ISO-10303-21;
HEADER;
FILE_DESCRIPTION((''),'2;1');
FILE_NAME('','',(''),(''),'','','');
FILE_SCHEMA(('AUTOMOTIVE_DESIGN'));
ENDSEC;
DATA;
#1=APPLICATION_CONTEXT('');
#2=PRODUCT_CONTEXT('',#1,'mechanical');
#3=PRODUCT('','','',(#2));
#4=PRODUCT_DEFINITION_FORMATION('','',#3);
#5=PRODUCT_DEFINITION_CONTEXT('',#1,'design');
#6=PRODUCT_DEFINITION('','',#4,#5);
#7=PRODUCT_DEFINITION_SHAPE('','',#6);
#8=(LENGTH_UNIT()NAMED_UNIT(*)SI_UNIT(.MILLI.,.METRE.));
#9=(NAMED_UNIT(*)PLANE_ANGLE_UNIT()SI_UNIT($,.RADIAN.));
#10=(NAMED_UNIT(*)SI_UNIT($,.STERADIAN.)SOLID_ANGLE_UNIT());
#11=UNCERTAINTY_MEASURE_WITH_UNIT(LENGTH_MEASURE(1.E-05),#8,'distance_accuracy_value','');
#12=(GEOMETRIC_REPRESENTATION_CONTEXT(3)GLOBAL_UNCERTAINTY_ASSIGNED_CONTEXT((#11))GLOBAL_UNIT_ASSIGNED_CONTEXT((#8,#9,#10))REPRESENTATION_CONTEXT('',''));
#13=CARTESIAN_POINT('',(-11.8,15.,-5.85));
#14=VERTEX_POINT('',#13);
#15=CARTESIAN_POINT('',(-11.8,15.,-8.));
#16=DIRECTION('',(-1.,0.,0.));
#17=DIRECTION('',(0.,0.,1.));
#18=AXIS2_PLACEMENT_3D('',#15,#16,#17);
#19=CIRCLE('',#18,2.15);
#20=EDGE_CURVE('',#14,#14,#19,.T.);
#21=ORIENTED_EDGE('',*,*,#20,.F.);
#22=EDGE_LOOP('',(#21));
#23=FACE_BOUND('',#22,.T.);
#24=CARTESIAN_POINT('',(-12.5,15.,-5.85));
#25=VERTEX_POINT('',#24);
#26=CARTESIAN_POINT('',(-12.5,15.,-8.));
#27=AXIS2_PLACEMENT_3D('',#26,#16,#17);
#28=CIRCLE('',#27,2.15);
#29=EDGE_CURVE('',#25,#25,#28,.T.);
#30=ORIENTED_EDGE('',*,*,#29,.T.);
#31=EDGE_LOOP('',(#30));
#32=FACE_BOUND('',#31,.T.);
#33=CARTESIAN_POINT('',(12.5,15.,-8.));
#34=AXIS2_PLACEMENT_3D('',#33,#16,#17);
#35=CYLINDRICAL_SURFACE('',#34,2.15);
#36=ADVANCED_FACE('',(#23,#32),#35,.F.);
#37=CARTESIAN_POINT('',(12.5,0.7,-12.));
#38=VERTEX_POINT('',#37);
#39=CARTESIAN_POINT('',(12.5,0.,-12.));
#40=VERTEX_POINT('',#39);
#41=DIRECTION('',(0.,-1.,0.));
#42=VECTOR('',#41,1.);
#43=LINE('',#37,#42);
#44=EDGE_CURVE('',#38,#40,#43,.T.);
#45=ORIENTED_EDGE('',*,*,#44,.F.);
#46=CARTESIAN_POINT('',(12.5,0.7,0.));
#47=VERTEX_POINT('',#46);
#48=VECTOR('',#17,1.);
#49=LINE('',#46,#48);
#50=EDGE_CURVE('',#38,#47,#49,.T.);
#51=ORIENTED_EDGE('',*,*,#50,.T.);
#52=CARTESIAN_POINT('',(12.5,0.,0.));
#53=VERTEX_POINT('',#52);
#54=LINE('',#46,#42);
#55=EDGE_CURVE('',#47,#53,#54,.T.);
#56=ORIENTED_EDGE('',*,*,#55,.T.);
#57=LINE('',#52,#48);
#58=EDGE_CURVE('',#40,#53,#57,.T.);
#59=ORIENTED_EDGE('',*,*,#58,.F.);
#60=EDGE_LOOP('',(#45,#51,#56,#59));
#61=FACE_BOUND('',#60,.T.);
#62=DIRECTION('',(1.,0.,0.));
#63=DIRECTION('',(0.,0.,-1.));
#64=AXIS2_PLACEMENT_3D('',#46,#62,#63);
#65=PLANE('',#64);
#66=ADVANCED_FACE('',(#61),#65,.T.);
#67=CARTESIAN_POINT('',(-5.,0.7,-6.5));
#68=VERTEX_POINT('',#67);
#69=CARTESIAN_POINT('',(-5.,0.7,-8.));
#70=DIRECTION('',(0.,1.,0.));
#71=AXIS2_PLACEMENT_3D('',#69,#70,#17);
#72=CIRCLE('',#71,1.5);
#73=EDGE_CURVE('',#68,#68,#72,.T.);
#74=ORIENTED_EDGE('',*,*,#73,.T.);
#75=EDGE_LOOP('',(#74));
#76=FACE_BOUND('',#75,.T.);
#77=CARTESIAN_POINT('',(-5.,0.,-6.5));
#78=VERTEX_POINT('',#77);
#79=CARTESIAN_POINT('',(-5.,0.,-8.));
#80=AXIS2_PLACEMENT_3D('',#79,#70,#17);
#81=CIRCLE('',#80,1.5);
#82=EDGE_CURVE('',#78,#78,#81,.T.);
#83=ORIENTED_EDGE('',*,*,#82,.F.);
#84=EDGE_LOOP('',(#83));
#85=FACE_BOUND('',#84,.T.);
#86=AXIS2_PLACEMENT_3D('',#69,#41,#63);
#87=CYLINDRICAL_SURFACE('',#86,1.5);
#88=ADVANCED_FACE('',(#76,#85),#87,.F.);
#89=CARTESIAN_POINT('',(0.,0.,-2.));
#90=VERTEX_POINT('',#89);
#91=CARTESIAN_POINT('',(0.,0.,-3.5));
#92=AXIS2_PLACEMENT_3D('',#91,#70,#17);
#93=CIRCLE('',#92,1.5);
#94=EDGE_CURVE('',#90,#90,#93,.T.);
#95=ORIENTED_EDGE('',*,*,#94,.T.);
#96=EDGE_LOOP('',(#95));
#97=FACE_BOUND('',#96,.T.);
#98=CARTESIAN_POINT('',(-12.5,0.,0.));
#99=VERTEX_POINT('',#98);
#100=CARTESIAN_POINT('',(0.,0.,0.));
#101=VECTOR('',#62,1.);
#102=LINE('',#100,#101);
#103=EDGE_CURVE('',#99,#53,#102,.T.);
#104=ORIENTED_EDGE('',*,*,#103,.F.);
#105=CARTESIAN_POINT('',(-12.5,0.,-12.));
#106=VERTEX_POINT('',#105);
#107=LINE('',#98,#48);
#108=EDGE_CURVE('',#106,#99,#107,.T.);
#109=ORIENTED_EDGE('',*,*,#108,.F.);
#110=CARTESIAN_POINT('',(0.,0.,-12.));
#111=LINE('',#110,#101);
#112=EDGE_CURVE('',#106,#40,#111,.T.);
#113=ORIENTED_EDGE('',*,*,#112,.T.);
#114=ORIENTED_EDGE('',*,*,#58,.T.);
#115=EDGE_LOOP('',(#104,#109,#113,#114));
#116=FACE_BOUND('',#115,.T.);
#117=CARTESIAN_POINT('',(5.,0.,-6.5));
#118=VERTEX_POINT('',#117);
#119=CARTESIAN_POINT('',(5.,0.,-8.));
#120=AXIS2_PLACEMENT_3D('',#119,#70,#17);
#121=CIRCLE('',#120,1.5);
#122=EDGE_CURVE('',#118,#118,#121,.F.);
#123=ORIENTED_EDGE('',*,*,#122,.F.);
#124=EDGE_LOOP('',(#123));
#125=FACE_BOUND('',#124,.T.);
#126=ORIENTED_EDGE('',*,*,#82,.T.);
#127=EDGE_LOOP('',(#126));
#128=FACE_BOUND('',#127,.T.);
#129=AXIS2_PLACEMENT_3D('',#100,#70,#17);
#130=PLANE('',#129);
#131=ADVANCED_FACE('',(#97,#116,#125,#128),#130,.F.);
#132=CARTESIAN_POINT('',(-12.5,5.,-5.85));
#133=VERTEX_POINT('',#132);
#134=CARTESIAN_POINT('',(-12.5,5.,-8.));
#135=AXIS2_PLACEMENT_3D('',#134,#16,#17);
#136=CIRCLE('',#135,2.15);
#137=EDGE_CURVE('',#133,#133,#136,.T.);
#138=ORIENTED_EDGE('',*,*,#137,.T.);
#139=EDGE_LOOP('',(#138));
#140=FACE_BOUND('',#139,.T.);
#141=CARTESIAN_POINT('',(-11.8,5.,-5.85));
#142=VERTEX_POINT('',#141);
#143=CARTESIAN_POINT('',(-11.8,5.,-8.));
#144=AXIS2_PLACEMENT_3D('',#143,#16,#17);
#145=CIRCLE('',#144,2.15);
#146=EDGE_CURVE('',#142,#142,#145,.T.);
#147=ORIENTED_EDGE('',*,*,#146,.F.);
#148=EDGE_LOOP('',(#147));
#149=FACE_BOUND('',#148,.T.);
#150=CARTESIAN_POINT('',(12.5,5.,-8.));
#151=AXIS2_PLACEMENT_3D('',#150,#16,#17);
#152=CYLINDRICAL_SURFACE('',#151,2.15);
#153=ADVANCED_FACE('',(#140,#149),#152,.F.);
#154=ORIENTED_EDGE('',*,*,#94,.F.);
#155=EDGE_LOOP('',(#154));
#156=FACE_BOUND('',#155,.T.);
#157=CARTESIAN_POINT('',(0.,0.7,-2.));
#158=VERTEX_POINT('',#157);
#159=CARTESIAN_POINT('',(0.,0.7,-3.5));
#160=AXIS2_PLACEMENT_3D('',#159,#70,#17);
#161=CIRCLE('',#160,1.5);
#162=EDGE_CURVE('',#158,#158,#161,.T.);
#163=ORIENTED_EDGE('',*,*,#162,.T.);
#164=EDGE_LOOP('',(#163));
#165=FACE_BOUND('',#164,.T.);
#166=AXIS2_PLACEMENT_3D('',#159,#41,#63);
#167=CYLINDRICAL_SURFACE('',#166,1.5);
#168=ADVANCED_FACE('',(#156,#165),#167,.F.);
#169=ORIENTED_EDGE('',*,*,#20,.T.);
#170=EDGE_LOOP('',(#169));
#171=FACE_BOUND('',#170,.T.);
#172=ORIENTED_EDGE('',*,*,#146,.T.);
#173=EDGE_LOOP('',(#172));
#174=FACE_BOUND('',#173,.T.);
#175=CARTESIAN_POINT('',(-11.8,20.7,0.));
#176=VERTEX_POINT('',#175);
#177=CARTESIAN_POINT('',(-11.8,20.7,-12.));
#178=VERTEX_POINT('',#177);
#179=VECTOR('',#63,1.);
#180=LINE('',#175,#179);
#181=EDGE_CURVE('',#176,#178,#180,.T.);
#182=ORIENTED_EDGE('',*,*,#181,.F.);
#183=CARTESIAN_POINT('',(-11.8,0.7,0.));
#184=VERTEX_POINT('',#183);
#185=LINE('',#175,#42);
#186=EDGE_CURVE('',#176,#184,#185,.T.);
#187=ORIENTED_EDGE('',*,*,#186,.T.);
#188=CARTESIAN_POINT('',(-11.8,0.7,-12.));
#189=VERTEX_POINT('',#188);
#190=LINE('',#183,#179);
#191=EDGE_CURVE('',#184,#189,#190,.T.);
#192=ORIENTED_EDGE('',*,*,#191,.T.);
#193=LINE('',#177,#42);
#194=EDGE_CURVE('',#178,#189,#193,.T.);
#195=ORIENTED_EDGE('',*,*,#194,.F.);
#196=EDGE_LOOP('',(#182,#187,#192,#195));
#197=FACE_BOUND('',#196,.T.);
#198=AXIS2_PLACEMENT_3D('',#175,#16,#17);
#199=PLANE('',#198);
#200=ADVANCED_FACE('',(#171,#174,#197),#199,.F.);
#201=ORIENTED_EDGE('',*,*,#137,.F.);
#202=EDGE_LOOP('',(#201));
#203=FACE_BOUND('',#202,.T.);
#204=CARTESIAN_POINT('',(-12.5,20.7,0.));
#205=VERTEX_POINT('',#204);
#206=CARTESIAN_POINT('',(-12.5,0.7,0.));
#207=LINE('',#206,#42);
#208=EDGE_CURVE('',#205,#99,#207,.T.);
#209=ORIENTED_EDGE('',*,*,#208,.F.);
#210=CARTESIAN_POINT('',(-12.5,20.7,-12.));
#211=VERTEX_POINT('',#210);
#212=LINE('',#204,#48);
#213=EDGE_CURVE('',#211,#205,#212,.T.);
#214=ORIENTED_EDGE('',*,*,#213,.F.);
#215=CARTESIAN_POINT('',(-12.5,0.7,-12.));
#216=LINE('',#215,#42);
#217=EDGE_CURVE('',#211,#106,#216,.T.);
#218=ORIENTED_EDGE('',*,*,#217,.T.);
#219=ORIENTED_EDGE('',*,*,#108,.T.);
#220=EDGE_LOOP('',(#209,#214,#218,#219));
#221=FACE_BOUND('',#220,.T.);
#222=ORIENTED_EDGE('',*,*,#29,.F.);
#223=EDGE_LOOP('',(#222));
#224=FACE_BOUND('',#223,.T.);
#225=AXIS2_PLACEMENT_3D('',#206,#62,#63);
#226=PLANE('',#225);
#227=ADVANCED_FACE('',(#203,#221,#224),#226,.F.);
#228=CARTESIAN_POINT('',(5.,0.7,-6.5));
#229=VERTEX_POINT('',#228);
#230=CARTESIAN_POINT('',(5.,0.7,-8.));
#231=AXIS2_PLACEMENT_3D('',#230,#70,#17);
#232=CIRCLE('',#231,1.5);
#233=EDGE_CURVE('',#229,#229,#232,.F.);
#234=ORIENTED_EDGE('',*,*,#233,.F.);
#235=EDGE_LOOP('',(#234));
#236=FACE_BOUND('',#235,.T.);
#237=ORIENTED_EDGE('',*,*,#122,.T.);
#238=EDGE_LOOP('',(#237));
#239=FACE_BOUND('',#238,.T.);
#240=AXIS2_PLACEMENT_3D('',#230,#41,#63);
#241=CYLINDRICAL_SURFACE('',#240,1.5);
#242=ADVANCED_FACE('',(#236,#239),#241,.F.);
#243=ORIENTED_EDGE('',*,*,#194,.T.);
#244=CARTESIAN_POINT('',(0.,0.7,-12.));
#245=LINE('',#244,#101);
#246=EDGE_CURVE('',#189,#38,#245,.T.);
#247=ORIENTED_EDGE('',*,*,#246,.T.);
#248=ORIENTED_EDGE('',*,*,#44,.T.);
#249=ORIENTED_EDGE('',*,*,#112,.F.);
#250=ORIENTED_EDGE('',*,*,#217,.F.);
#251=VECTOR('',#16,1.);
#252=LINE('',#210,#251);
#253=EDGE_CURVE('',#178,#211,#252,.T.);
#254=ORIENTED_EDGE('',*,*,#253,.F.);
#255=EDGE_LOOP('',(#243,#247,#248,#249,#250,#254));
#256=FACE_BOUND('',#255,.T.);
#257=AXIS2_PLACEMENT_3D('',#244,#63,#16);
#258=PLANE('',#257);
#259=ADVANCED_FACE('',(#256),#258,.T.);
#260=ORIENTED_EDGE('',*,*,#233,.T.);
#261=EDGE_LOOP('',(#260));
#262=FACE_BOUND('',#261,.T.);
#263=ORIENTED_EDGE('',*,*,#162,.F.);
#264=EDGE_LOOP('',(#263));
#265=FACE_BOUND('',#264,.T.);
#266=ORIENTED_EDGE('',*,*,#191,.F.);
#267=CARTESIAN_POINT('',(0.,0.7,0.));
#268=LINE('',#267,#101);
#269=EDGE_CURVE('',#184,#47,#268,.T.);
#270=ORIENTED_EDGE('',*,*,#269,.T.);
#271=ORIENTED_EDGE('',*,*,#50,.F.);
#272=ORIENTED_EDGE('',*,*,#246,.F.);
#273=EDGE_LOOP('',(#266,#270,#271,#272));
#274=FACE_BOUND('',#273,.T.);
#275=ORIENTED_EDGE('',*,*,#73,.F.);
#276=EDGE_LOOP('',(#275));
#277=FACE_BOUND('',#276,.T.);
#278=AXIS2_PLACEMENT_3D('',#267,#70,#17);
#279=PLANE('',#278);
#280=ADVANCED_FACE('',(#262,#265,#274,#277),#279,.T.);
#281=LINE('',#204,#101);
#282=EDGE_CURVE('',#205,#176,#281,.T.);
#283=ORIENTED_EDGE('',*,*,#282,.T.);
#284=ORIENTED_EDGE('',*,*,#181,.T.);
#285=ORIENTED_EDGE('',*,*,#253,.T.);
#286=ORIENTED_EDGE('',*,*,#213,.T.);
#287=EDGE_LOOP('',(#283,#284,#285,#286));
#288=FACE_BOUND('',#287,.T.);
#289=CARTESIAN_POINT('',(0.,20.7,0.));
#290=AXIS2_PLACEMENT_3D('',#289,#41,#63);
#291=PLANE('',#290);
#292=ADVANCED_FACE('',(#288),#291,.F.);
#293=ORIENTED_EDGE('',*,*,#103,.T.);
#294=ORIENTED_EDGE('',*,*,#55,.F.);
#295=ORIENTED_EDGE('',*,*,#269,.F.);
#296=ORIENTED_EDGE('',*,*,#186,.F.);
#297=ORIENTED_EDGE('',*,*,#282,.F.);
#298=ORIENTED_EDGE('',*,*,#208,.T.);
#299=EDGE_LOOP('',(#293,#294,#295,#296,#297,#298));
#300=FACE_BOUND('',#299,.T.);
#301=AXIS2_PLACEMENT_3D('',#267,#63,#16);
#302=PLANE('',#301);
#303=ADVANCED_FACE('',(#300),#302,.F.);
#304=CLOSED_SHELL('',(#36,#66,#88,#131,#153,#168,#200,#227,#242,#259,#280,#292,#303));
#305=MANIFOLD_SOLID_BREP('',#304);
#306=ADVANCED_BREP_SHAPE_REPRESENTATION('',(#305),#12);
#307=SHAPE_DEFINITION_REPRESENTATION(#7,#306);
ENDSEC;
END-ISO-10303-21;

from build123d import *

# Parameters (mm, degrees)
SKETCH1_W           = 25
SKETCH1_H           = 12
SKETCH1_R           = 1.5
BOSS_EXTRUDE1_DEPTH = 0.7
SKETCH3_W           = 0.7
SKETCH3_H           = 12
BOSS_EXTRUDE3_DEPTH = 20
SKETCH4_R           = 2.15
CUT_EXTRUDE1_DEPTH  = 35.604768458


with BuildPart() as part:
    # Sketch1 → Boss-Extrude1 (new body)
    with BuildSketch(Plane(origin=(0, 0, 0), x_dir=(1, 0, 0), z_dir=(0, 1, 0))):
        with Locations((0, 6)):
            Rectangle(SKETCH1_W, SKETCH1_H)
        with Locations(Location((-5, 8, 0), (0, 0, 270))):
            Circle(SKETCH1_R, mode=Mode.SUBTRACT)
        with Locations(Location((5, 8, 0), (0, 0, 270))):
            Circle(SKETCH1_R, mode=Mode.SUBTRACT)
        with Locations(Location((0, 3.5, 0), (0, 0, 270))):
            Circle(SKETCH1_R, mode=Mode.SUBTRACT)
    extrude(amount=BOSS_EXTRUDE1_DEPTH)

    # Sketch3 → Boss-Extrude3 (add)
    with BuildSketch(Plane(origin=(0, 0.7, 0), x_dir=(1, 0, 0), z_dir=(0, 1, 0))):
        with Locations((-12.15, 6)):
            Rectangle(SKETCH3_W, SKETCH3_H)
    extrude(amount=BOSS_EXTRUDE3_DEPTH)

    # Sketch4 → Cut-Extrude1 (cut, through all)
    with BuildSketch(Plane.ZY.offset(12.5)):
        with Locations((-8, 5)):
            Circle(SKETCH4_R)
        with Locations((-8, 15)):
            Circle(SKETCH4_R)
    extrude(amount=-CUT_EXTRUDE1_DEPTH, mode=Mode.SUBTRACT)


solid = part.part
